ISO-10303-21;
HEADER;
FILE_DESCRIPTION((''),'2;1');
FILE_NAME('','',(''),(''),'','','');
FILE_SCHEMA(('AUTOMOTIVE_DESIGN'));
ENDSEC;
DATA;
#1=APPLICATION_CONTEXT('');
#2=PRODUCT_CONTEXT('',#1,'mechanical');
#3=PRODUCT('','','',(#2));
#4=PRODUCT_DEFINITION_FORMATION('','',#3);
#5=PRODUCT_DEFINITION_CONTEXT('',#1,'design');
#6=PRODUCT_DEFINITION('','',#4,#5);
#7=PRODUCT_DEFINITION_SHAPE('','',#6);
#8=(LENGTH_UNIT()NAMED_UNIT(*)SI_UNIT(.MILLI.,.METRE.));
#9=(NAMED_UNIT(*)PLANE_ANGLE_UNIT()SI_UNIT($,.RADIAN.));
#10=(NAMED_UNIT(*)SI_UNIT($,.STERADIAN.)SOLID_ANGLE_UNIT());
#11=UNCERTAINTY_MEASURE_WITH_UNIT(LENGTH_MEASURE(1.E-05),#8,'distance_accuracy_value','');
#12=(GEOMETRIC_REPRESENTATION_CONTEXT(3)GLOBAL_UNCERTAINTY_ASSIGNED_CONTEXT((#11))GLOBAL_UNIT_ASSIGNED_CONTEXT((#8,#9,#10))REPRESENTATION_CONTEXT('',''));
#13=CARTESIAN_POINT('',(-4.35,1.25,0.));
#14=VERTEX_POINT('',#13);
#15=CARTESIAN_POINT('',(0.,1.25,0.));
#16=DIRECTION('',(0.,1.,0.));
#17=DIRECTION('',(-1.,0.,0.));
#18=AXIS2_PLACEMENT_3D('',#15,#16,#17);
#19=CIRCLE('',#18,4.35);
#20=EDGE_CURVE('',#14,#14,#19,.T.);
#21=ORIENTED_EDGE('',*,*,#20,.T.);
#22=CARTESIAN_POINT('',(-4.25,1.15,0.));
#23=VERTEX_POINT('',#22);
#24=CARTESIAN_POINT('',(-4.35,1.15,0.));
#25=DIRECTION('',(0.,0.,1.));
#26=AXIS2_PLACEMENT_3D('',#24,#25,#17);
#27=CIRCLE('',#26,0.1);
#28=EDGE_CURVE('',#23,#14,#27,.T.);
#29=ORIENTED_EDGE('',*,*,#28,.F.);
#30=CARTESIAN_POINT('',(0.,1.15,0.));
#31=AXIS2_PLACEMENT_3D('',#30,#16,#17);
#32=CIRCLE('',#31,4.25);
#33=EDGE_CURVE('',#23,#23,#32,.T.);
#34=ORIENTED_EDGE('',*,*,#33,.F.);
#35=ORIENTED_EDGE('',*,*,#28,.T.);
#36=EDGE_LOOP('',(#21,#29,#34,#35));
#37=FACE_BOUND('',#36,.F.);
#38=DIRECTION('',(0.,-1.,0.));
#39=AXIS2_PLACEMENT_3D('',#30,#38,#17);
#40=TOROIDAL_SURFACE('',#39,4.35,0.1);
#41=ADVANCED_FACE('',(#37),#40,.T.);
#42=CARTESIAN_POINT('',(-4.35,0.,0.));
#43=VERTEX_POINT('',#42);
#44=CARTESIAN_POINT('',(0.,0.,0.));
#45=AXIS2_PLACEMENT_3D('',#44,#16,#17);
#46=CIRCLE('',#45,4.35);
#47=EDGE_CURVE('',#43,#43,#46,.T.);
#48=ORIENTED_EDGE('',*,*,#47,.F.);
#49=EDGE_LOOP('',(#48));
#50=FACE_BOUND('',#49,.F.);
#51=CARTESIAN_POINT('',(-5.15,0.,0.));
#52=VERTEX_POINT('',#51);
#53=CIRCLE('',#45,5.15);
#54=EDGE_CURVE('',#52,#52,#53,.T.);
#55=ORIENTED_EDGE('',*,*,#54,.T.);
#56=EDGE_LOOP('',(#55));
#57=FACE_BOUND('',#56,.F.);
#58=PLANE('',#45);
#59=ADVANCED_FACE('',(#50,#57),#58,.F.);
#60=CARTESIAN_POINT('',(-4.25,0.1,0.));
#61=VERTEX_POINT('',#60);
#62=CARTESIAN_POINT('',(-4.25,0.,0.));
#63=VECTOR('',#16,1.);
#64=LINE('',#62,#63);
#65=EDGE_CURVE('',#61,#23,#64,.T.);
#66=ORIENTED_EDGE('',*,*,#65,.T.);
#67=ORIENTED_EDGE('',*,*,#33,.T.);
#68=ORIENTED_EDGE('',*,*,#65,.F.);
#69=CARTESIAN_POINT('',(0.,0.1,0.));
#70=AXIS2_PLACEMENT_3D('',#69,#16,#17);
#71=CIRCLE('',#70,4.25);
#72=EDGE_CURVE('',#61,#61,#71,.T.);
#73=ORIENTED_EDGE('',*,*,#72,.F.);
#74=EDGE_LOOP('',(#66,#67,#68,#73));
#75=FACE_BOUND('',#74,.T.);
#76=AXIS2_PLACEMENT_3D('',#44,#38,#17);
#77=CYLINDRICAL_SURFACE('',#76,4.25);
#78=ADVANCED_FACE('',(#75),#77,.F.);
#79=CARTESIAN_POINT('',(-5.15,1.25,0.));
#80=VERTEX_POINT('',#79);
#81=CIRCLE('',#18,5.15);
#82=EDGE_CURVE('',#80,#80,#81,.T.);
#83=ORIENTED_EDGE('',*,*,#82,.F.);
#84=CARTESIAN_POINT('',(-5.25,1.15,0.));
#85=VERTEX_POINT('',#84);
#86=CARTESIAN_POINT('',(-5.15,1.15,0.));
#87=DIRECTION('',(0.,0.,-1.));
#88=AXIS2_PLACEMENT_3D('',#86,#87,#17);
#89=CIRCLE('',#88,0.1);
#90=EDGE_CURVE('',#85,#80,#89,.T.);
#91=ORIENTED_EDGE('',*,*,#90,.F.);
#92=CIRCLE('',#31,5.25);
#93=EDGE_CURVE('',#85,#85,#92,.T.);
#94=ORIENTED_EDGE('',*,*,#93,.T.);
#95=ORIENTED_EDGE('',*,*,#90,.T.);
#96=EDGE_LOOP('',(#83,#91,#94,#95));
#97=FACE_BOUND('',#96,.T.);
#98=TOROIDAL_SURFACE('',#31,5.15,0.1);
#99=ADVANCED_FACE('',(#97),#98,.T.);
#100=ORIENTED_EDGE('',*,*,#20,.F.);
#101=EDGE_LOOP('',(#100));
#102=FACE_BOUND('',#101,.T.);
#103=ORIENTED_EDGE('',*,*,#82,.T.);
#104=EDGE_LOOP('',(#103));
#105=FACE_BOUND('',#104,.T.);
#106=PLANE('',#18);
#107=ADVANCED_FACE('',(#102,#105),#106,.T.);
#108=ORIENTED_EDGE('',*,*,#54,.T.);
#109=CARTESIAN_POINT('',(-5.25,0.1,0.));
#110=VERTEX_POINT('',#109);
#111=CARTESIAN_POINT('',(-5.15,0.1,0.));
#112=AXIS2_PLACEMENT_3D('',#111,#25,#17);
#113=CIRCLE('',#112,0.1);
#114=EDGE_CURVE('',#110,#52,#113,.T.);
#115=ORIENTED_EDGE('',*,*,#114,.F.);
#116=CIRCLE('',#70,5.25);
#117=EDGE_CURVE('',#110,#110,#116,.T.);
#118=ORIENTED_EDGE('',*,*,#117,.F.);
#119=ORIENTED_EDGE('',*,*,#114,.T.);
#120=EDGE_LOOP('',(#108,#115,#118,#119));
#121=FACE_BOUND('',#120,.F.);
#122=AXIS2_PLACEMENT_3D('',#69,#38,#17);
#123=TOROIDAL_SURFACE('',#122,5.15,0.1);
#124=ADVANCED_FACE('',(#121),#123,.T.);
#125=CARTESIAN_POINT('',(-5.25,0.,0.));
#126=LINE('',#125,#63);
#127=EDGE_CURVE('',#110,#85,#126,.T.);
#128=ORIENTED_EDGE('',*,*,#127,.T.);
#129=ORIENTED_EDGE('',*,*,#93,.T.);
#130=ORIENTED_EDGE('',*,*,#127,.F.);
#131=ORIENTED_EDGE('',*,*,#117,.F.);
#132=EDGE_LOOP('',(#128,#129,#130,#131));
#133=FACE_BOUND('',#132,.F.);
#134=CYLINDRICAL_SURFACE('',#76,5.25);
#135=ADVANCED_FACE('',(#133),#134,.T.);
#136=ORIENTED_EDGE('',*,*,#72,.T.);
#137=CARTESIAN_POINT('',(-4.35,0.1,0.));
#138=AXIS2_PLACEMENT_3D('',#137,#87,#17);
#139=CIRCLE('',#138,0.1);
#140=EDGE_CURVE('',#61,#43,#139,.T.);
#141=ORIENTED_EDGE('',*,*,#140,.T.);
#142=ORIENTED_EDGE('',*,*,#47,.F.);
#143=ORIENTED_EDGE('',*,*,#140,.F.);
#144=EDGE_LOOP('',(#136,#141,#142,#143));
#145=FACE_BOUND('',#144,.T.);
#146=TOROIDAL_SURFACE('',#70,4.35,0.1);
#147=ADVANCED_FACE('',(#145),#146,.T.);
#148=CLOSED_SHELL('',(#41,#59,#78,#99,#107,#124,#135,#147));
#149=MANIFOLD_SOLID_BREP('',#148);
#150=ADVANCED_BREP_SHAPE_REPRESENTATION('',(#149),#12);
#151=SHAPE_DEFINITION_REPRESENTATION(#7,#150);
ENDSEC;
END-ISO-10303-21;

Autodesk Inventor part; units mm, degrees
ref_plane "YZ Plane" through (0, 0, 0) normal (1, 0, 0) x (0, 1, 0)
ref_plane "XZ Plane" through (0, 0, 0) normal (0, 1, 0) x (-1, 0, 0)
ref_plane "XY Plane" through (0, 0, 0) normal (0, 0, 1) x (1, 0, 0)
sketch "Sketch1" plane through (0, 0, 0) normal (0, 1, 0) x (-1, 0, 0)
  circle A0 centre (0, 0) radius 5.25
  circle A1 centre (0, 0) radius 4.25
  dimension "d0" = 10.5
  dimension "d1" = 1
extrude "Extrusion1" add sketch "Sketch1" along normal blind 1.25
fillet "Fillet1" radius 0.1 4 edges at (5.25, 1.25, 0) (4.25, 1.25, 0) (4.25, 0, 0) (5.25, 0, 0)
properties part number "Button_ring_blue" material "Acetal Resin, White"
